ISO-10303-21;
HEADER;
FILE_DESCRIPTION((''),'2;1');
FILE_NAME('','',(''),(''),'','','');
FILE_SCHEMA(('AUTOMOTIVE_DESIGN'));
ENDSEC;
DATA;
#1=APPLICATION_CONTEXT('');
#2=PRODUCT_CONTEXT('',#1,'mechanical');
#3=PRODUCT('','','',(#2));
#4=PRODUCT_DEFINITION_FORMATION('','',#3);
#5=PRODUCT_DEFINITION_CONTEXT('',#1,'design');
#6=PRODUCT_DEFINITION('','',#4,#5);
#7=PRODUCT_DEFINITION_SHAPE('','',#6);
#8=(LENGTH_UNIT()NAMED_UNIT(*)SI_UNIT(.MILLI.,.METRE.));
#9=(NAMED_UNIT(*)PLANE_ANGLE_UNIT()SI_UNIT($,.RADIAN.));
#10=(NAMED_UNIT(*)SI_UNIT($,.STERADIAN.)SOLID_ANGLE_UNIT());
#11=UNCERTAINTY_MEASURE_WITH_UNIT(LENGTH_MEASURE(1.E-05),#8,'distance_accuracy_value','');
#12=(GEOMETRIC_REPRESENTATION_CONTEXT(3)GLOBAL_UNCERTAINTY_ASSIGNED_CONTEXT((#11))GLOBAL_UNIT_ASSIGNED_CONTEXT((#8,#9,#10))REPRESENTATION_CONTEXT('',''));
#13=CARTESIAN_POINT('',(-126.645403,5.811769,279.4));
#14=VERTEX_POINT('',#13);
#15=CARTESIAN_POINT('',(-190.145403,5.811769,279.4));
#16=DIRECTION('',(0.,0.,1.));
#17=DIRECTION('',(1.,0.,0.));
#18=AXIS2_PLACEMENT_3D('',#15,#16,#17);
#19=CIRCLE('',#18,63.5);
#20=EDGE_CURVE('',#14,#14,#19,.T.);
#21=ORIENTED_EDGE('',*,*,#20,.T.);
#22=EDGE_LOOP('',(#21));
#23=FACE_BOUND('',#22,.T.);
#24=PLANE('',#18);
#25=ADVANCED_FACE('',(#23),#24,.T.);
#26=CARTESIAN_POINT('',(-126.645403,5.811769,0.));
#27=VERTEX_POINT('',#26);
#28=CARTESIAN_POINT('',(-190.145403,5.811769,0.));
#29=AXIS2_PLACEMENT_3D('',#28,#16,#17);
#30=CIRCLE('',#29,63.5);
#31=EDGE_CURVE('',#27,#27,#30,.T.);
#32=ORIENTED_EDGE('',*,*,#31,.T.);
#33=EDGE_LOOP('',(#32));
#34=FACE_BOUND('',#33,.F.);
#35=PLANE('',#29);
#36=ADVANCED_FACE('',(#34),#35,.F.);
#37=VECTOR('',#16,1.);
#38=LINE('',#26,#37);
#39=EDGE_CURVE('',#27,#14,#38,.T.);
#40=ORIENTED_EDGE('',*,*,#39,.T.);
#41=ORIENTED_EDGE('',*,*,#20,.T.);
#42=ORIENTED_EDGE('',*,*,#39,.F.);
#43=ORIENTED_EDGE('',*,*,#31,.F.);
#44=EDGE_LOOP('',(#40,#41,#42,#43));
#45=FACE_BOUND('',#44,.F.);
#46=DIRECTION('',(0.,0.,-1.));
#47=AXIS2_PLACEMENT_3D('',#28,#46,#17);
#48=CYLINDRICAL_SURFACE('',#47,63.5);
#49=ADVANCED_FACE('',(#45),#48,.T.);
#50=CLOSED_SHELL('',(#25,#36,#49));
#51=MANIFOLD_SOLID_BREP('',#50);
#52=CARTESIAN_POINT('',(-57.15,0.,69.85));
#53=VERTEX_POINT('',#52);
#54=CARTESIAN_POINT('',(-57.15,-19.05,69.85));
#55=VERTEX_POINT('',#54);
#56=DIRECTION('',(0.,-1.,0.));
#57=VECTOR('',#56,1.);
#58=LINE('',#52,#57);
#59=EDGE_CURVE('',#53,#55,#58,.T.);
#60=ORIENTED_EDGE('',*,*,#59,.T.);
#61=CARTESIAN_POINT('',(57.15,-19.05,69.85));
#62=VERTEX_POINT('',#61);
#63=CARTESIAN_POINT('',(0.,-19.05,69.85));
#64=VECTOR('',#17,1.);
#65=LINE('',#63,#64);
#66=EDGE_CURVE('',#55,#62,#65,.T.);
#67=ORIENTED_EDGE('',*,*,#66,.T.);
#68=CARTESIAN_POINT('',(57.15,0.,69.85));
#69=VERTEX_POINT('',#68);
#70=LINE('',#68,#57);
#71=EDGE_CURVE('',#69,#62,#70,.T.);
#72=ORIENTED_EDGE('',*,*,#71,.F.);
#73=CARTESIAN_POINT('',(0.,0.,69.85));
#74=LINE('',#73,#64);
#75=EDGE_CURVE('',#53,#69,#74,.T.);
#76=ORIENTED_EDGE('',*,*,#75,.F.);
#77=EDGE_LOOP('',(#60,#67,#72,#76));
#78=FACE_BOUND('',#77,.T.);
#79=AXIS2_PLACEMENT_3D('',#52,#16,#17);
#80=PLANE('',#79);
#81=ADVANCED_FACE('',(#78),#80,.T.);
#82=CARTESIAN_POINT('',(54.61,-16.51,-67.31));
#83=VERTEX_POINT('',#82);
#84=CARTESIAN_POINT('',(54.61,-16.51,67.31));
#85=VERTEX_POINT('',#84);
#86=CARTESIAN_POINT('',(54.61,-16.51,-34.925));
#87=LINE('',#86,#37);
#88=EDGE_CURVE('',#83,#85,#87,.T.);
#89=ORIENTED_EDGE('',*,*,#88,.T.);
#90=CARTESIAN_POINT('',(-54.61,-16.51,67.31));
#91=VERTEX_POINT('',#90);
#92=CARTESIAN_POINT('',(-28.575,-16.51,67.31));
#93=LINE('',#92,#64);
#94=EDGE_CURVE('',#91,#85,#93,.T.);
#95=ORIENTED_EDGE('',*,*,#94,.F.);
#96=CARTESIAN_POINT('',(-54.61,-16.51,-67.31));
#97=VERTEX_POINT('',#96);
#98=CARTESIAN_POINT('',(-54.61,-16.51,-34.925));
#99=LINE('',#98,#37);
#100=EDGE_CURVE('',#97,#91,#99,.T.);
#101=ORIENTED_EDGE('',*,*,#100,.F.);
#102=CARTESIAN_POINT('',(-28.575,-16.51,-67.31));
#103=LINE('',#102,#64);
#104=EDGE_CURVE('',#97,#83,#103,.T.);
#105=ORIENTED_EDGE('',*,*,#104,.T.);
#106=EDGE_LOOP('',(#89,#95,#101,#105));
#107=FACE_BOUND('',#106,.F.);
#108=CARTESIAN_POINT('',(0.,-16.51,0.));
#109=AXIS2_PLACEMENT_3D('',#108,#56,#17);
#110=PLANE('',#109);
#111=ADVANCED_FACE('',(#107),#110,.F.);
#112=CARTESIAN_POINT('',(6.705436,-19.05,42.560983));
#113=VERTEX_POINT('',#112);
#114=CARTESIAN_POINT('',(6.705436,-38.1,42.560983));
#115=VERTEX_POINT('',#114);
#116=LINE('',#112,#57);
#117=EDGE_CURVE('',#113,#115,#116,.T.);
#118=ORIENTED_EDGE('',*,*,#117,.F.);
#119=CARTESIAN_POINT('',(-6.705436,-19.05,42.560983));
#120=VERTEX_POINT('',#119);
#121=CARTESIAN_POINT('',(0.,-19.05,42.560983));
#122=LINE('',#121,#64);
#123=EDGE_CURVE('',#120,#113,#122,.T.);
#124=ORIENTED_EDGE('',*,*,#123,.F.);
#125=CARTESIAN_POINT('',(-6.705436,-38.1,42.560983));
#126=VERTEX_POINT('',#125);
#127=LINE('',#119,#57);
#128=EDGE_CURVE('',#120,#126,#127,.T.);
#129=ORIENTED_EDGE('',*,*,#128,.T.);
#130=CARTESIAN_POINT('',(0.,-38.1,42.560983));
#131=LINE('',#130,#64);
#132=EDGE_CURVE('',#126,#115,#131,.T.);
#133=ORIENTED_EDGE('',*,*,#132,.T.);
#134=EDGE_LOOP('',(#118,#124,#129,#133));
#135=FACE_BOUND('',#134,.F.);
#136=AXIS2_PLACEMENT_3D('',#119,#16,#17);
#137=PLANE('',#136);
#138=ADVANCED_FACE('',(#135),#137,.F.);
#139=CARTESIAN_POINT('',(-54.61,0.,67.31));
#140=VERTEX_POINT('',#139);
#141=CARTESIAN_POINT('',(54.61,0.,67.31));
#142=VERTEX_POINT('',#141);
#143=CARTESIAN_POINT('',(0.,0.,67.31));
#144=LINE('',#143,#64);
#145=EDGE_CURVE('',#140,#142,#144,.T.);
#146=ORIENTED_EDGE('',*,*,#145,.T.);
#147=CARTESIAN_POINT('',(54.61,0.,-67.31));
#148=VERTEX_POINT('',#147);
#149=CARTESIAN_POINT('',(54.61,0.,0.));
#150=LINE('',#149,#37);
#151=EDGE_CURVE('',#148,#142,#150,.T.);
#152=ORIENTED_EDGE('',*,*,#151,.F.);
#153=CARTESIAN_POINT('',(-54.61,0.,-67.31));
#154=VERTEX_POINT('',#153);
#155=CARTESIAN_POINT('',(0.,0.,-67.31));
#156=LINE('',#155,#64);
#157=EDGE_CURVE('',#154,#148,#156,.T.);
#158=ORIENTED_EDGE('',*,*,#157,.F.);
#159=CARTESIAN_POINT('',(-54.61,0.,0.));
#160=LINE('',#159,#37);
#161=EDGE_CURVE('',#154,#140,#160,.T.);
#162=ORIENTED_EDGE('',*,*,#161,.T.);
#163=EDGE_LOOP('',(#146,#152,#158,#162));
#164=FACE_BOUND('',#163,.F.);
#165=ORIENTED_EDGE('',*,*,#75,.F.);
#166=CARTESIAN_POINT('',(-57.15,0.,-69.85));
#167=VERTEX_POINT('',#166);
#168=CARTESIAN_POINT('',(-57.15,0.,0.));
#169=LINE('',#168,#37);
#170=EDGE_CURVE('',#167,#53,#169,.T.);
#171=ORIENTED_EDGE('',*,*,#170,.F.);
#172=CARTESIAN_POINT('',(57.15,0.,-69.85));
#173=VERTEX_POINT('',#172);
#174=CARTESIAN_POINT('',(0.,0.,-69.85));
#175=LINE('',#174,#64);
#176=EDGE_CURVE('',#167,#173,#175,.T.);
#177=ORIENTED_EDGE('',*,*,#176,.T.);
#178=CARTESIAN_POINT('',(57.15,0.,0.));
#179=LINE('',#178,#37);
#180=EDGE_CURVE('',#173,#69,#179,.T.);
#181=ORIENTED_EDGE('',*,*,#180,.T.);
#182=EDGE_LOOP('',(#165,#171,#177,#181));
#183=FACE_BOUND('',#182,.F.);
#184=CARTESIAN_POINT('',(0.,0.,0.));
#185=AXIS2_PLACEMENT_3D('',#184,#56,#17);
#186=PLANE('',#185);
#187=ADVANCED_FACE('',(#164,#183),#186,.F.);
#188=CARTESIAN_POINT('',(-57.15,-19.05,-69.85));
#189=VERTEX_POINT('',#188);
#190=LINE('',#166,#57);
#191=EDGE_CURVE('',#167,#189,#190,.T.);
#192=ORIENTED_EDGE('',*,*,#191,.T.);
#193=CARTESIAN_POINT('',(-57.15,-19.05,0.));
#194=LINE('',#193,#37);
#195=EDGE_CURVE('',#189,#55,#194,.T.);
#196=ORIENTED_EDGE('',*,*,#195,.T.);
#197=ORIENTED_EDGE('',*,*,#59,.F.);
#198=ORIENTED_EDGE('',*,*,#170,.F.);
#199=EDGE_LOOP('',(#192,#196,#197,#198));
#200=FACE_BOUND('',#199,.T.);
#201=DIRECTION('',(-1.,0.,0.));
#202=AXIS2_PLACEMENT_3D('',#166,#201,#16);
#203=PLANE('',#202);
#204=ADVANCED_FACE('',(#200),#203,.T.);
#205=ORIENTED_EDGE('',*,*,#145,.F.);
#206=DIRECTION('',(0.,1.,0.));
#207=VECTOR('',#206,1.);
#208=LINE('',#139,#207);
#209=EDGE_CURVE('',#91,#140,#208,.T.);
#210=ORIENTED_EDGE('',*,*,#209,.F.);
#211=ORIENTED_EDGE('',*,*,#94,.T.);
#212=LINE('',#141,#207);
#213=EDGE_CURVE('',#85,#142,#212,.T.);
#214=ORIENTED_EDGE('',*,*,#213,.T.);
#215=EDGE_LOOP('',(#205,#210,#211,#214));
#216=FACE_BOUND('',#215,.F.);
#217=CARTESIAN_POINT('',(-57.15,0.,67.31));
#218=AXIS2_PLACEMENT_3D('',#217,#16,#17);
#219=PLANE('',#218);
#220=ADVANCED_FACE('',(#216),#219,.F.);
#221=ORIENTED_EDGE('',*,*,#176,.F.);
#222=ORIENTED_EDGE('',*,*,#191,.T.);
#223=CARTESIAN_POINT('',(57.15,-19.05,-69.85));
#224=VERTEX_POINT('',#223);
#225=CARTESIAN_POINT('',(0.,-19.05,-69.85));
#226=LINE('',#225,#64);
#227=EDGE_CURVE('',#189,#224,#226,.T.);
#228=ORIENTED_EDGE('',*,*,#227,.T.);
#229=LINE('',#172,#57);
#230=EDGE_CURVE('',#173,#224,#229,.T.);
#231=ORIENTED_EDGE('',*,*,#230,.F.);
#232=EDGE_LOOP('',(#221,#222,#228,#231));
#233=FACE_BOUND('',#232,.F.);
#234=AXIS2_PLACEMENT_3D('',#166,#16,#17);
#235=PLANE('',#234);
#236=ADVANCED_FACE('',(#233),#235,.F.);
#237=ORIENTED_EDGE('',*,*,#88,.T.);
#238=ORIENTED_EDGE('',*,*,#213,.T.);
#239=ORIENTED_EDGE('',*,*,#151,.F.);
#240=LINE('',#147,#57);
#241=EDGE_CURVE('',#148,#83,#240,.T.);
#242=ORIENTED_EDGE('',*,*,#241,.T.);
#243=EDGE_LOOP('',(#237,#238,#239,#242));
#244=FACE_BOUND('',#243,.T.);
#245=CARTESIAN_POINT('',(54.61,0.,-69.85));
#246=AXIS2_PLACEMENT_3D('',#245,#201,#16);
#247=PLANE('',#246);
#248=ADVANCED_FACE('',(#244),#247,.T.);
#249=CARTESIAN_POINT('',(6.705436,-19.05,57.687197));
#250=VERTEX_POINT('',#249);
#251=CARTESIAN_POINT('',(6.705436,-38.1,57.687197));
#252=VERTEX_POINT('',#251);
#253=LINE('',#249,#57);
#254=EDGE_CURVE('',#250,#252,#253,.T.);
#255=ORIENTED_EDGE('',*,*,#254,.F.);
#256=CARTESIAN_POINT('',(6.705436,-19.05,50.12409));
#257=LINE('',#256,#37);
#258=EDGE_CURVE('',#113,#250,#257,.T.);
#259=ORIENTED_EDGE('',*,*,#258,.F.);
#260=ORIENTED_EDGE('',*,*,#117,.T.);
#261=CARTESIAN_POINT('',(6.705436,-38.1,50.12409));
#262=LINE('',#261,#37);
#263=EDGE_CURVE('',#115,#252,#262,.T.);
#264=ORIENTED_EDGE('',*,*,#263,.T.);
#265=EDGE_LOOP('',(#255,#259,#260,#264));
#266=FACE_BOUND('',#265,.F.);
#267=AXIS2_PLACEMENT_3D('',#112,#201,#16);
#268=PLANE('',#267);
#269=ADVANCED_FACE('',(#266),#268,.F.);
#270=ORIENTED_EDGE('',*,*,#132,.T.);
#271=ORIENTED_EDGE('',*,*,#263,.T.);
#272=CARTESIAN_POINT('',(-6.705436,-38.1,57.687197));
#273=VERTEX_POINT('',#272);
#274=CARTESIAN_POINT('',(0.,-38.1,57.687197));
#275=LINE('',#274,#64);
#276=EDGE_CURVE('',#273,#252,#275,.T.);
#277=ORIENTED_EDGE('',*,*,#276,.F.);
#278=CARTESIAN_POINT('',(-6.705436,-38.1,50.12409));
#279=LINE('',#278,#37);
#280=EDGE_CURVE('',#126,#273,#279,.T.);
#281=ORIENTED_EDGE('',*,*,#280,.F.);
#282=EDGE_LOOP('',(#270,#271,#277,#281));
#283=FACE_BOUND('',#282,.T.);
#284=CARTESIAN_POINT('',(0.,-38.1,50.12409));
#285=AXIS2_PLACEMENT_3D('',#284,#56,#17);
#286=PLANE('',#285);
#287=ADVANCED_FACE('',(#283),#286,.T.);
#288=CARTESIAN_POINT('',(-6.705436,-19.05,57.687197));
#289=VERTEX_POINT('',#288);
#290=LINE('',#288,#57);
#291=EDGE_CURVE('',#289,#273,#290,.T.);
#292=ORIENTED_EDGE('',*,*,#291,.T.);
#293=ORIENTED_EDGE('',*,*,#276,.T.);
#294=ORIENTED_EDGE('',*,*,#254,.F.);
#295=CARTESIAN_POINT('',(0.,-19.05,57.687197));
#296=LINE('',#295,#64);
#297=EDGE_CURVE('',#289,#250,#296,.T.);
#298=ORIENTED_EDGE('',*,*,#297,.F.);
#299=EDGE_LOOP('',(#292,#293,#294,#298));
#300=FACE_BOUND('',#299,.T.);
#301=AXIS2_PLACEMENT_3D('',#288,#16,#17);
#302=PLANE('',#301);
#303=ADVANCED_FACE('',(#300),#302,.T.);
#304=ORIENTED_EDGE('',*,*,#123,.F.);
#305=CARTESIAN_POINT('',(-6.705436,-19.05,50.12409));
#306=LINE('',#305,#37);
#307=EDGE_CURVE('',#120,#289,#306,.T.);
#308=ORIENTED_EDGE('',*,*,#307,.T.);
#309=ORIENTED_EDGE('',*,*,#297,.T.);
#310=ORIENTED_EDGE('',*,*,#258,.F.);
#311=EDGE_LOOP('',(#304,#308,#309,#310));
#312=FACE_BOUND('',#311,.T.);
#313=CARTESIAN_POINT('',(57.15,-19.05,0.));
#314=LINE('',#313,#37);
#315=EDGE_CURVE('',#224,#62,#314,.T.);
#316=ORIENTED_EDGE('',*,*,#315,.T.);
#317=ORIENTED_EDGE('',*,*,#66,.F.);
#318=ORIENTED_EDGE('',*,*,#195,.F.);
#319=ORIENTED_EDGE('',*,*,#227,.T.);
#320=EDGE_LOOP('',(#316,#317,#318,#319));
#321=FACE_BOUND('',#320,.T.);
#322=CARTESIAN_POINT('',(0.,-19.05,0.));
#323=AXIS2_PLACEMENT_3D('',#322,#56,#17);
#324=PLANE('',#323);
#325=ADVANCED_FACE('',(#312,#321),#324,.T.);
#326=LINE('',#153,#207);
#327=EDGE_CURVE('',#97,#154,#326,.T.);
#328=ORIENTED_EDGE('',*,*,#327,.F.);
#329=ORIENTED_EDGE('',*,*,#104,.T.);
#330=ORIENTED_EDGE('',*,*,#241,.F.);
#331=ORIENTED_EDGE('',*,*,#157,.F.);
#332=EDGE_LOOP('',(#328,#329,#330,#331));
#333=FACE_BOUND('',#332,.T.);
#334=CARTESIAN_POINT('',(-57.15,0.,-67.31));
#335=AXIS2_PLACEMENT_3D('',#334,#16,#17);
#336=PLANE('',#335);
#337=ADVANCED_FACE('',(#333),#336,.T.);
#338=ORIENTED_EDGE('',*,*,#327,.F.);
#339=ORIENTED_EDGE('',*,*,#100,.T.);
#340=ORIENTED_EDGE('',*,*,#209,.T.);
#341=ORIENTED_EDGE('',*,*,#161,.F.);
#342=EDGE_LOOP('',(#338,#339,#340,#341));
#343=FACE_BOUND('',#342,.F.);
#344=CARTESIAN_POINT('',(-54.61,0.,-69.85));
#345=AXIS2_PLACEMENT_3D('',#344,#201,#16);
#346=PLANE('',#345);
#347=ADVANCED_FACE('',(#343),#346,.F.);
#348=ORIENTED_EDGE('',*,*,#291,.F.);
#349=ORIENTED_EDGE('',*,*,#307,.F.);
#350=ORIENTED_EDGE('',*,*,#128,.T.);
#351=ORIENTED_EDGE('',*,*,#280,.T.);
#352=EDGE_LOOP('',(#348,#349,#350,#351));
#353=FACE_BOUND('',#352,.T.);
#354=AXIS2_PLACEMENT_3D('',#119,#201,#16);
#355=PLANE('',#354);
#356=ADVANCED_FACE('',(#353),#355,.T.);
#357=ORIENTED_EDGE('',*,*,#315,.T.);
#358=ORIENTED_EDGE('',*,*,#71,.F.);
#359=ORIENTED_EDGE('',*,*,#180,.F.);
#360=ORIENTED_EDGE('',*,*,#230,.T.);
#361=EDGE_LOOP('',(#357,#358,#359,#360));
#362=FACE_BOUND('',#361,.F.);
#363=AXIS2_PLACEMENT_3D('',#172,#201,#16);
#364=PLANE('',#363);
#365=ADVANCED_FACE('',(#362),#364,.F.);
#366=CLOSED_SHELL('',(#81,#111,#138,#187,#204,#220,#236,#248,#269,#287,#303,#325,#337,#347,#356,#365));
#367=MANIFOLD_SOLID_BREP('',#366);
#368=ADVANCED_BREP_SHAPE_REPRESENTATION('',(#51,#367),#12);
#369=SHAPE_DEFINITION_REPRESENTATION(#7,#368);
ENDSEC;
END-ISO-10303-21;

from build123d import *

# Parameters (mm, degrees)
F0_W     = 114.3
F0_H     = 139.7
F1_DEPTH = 19.05
F2_T     = -2.54
F4_START = 19.05
F3_W     = 13.4108727798
F3_H     = 15.1262134314
F4_DEPTH = 19.05
F5_R     = 63.5
F6_DEPTH = 279.4


with BuildPart() as f1:
    # F0 (on Front) → F1 (new body)
    with BuildSketch(Plane.XZ):
        Rectangle(F0_W, F0_H)
    extrude(amount=F1_DEPTH)

    # F2
    f2_openings = [f1.faces().sort_by_distance(p)[0] for p in [
        (0, 0, 0),
    ]]
    offset(amount=F2_T, openings=f2_openings)

    # F3 (on Front) → F4 (join)
    with BuildSketch(Plane.XZ.offset(F4_START)):
        with Locations((0, 50.1240901649)):
            Rectangle(F3_W, F3_H)
    extrude(amount=F4_DEPTH)


with BuildPart() as f6:
    # F5 (on Top) → F6 (new body)
    with BuildSketch(Plane.XY):
        with Locations((-190.1454031467, 5.8117690496)):
            Circle(F5_R)
    extrude(amount=F6_DEPTH)


solid = Compound([f1.part, f6.part])
